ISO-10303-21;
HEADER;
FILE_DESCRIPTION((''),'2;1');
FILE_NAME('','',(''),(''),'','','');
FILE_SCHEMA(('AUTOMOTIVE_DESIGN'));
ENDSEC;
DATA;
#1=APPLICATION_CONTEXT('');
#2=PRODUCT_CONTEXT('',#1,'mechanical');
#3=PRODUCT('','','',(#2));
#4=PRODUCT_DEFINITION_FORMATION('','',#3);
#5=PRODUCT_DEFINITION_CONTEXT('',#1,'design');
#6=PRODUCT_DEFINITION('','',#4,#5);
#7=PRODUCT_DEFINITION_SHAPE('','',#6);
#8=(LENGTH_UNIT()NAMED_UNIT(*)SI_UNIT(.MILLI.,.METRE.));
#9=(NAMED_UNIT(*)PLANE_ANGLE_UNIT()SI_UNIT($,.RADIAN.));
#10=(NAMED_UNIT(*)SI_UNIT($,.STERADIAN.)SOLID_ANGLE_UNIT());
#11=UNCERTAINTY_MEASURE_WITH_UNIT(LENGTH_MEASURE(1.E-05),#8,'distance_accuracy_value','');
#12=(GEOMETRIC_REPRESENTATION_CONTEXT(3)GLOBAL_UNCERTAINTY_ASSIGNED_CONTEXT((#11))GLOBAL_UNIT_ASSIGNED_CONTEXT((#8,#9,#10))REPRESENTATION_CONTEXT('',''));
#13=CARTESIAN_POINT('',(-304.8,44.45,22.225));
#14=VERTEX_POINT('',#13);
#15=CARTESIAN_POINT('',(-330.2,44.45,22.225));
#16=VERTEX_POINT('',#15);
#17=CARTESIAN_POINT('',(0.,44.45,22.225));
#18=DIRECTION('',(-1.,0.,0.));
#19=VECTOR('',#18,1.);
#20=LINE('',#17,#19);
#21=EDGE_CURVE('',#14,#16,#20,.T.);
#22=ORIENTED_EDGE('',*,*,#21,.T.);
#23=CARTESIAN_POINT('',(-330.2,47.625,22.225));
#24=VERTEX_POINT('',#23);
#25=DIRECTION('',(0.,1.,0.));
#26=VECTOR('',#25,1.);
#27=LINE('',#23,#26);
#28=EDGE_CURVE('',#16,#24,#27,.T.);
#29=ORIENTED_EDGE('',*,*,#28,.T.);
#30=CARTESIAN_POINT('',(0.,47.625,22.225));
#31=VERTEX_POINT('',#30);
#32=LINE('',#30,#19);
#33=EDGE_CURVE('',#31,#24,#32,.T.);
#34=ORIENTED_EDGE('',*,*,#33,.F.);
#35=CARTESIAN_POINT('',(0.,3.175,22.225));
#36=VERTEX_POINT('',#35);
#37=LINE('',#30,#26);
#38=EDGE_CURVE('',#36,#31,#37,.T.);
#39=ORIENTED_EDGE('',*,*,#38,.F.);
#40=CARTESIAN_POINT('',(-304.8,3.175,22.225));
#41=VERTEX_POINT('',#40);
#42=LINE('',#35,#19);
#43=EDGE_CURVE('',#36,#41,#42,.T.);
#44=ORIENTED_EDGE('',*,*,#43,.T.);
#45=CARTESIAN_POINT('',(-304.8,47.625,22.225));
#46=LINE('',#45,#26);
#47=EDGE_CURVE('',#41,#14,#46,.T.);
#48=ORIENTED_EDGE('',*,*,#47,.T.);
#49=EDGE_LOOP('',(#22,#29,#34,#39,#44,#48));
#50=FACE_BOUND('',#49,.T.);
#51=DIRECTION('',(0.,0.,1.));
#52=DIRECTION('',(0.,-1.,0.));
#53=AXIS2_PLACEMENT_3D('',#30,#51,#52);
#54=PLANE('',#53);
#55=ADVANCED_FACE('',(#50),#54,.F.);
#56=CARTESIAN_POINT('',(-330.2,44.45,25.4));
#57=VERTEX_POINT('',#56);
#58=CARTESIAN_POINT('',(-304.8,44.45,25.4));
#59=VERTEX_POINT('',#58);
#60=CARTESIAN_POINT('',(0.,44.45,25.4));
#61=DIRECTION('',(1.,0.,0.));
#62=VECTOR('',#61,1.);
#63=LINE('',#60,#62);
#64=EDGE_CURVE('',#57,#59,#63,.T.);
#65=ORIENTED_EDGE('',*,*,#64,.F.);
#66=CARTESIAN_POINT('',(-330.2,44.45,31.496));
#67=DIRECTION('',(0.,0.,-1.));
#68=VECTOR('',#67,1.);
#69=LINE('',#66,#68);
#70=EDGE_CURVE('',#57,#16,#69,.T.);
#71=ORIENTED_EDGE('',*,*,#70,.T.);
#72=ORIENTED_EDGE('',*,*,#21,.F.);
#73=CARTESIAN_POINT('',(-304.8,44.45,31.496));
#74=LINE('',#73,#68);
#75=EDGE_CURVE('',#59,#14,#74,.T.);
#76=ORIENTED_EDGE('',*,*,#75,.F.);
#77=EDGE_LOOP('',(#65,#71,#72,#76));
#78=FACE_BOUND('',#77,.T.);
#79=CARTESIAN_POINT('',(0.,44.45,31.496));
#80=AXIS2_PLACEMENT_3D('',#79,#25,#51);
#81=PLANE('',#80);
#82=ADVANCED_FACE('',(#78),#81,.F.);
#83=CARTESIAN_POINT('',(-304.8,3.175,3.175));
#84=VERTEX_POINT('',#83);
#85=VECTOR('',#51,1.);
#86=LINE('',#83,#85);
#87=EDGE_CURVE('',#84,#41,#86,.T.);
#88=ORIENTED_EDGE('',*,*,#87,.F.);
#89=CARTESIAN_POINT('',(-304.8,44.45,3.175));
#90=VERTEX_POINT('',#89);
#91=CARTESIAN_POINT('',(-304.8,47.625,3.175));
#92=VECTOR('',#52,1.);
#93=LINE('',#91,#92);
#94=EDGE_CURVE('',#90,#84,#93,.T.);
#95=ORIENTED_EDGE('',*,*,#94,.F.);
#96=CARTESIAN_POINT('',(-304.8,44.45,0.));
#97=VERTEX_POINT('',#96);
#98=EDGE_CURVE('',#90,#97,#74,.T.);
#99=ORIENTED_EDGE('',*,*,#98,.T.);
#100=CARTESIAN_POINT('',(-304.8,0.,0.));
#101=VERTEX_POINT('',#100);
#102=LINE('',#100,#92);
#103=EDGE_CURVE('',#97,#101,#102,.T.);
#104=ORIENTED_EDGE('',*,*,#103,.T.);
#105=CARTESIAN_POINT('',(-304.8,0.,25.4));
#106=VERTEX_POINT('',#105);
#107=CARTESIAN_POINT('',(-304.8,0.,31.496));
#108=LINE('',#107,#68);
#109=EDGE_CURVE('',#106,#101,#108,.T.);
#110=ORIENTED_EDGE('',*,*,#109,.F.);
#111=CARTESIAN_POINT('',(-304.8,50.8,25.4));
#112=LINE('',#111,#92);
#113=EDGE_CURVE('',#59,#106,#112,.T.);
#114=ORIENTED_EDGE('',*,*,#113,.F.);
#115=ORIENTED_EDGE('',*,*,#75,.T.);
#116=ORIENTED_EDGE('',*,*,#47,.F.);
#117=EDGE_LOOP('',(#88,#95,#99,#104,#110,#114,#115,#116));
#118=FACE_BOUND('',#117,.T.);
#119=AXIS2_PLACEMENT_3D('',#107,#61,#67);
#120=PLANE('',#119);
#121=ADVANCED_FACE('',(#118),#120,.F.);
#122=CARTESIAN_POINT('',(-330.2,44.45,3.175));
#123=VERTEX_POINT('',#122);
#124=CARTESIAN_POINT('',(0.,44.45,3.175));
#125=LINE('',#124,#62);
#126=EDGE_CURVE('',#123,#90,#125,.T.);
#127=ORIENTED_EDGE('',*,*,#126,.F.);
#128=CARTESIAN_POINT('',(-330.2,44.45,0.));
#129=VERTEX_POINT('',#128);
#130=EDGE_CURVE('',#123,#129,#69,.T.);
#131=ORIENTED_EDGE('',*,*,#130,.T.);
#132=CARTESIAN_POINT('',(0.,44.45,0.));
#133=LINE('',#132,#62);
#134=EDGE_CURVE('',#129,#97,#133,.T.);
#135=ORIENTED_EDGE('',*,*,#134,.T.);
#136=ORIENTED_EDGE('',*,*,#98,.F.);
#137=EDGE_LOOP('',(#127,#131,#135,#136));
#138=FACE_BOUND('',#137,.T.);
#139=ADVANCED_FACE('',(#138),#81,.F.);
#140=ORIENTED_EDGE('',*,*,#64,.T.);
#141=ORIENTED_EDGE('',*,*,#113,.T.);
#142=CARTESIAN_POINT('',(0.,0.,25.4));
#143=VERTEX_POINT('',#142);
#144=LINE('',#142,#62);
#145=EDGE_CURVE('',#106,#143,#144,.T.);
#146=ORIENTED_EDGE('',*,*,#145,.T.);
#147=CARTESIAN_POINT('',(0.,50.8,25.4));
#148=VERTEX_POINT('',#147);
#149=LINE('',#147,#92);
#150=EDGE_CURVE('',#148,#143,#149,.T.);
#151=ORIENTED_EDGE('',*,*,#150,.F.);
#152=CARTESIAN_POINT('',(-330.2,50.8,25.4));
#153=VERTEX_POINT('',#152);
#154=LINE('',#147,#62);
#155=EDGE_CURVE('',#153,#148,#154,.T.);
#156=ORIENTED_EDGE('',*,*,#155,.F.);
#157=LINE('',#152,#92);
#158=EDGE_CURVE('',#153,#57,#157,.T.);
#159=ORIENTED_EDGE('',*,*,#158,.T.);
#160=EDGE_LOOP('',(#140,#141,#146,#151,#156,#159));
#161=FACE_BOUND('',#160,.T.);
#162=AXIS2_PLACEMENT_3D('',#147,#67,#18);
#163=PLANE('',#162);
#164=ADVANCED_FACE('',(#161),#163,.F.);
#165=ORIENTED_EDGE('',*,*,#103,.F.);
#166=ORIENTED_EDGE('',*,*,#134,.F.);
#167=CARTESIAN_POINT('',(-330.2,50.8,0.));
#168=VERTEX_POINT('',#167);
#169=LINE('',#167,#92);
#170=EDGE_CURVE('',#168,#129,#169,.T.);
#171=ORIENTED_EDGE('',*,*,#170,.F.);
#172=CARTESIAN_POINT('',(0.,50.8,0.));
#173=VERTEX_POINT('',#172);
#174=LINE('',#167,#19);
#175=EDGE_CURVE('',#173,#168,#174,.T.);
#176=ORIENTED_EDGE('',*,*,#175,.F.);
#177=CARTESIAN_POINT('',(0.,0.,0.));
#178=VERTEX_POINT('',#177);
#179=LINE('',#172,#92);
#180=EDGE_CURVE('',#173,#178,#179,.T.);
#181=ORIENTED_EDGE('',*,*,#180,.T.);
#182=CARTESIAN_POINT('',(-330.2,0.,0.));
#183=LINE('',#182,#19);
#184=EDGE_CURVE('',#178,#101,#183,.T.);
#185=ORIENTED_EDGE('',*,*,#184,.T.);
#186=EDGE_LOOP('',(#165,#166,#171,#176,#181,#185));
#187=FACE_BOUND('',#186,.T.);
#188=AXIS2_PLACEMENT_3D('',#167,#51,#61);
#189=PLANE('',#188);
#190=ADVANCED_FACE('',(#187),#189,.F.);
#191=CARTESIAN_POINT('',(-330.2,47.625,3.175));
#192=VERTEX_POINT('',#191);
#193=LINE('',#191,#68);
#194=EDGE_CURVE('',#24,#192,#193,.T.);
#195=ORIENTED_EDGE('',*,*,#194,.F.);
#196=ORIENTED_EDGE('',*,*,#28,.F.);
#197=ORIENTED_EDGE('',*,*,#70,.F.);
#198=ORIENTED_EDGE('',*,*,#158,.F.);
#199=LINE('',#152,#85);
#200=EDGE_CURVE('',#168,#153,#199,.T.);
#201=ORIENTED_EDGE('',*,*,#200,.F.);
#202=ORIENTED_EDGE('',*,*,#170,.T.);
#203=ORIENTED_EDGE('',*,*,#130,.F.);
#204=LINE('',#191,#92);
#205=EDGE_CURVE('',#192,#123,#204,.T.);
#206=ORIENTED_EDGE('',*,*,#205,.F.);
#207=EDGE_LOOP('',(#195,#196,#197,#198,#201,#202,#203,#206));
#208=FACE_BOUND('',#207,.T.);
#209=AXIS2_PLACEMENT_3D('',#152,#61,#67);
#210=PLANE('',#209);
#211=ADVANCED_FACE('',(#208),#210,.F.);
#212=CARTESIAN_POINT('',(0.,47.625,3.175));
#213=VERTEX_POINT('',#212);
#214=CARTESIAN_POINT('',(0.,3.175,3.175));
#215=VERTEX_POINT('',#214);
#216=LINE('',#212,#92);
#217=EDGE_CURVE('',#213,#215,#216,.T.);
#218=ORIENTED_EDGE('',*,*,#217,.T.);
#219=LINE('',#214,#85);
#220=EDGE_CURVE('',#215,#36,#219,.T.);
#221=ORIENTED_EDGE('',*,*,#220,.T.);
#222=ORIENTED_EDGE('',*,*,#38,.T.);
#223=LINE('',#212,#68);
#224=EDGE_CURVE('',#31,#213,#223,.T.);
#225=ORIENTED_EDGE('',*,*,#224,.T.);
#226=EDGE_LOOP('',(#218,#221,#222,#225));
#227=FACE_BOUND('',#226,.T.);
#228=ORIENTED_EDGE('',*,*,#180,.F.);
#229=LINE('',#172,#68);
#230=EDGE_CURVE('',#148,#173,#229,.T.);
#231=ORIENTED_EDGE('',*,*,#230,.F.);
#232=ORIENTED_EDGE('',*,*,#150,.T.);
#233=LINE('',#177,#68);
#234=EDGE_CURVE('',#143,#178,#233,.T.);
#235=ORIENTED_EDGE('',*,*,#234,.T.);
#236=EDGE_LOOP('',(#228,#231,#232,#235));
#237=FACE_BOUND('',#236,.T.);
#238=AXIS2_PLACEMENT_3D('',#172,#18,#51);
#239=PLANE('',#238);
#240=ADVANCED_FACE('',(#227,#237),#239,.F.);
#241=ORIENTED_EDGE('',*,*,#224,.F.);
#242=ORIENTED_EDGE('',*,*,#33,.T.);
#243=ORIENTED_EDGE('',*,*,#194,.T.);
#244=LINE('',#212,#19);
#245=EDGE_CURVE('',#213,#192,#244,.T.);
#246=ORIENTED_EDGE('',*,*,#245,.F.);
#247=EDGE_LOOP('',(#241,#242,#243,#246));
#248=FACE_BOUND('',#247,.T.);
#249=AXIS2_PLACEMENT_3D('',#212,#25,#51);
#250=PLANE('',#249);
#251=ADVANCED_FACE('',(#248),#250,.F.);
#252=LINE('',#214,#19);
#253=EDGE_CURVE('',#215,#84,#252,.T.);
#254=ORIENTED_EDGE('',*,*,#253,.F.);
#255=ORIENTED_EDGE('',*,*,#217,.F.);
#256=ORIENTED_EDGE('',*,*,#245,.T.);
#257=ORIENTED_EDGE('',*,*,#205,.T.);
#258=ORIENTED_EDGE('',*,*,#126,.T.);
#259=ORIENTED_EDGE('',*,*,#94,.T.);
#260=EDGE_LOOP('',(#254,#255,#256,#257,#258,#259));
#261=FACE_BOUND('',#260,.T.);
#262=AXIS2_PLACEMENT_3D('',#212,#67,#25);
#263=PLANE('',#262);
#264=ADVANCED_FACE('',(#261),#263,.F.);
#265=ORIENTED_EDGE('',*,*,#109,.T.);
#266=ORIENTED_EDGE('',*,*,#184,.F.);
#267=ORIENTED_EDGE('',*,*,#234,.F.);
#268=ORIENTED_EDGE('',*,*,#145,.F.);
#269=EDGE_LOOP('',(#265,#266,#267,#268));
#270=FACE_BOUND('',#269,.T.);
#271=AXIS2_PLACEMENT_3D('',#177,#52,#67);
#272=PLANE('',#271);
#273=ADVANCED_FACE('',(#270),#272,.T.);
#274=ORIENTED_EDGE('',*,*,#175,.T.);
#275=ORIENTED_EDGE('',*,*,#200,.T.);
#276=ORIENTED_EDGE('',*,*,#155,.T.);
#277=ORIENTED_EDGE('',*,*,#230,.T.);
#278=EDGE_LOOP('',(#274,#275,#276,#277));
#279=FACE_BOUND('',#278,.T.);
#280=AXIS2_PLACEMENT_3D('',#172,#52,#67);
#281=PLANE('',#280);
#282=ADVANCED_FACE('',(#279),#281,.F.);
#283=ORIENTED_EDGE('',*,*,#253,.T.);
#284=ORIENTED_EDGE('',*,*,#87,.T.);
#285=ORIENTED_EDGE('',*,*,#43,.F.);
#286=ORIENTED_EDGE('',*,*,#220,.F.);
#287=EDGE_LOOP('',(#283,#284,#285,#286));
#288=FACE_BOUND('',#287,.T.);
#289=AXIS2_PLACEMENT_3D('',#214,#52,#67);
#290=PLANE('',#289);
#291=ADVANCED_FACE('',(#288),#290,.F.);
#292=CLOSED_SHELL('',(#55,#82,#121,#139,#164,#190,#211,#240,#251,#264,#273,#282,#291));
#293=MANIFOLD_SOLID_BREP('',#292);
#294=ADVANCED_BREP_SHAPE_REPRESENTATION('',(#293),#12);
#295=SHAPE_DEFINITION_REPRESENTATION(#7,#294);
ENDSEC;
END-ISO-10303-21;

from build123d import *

# Parameters (mm, degrees)
SKETCH1_W           = 330.2
SKETCH1_H           = 25.4
BOSS_EXTRUDE4_DEPTH = 50.8
SKETCH5_W           = 19.05
SKETCH5_H           = 44.45
CUT_EXTRUDE1_DEPTH  = 330.2
SKETCH7_W           = 25.4
SKETCH7_H           = 44.45
CUT_EXTRUDE4_DEPTH  = 31.496


with BuildPart() as part:
    # Sketch1 → Boss-Extrude4 (new body)
    with BuildSketch(Plane(origin=(0, 0, 0), x_dir=(1, 0, 0), z_dir=(0, 1, 0))):
        with Locations((-165.1, -12.7)):
            Rectangle(SKETCH1_W, SKETCH1_H)
    extrude(amount=BOSS_EXTRUDE4_DEPTH)

    # Sketch5 → Cut-Extrude1 (cut)
    with BuildSketch(Plane.ZY.offset(330.2)):
        with Locations((12.7, 25.4)):
            Rectangle(SKETCH5_W, SKETCH5_H)
    extrude(amount=-CUT_EXTRUDE1_DEPTH, mode=Mode.SUBTRACT)

    # Sketch7 → Cut-Extrude4 (cut)
    with BuildSketch(Plane(origin=(0, 0, 0), x_dir=(-1, 0, 0), z_dir=(0, 0, -1))):
        with Locations((317.5, 22.225)):
            Rectangle(SKETCH7_W, SKETCH7_H)
    extrude(amount=-CUT_EXTRUDE4_DEPTH, mode=Mode.SUBTRACT)


solid = part.part
